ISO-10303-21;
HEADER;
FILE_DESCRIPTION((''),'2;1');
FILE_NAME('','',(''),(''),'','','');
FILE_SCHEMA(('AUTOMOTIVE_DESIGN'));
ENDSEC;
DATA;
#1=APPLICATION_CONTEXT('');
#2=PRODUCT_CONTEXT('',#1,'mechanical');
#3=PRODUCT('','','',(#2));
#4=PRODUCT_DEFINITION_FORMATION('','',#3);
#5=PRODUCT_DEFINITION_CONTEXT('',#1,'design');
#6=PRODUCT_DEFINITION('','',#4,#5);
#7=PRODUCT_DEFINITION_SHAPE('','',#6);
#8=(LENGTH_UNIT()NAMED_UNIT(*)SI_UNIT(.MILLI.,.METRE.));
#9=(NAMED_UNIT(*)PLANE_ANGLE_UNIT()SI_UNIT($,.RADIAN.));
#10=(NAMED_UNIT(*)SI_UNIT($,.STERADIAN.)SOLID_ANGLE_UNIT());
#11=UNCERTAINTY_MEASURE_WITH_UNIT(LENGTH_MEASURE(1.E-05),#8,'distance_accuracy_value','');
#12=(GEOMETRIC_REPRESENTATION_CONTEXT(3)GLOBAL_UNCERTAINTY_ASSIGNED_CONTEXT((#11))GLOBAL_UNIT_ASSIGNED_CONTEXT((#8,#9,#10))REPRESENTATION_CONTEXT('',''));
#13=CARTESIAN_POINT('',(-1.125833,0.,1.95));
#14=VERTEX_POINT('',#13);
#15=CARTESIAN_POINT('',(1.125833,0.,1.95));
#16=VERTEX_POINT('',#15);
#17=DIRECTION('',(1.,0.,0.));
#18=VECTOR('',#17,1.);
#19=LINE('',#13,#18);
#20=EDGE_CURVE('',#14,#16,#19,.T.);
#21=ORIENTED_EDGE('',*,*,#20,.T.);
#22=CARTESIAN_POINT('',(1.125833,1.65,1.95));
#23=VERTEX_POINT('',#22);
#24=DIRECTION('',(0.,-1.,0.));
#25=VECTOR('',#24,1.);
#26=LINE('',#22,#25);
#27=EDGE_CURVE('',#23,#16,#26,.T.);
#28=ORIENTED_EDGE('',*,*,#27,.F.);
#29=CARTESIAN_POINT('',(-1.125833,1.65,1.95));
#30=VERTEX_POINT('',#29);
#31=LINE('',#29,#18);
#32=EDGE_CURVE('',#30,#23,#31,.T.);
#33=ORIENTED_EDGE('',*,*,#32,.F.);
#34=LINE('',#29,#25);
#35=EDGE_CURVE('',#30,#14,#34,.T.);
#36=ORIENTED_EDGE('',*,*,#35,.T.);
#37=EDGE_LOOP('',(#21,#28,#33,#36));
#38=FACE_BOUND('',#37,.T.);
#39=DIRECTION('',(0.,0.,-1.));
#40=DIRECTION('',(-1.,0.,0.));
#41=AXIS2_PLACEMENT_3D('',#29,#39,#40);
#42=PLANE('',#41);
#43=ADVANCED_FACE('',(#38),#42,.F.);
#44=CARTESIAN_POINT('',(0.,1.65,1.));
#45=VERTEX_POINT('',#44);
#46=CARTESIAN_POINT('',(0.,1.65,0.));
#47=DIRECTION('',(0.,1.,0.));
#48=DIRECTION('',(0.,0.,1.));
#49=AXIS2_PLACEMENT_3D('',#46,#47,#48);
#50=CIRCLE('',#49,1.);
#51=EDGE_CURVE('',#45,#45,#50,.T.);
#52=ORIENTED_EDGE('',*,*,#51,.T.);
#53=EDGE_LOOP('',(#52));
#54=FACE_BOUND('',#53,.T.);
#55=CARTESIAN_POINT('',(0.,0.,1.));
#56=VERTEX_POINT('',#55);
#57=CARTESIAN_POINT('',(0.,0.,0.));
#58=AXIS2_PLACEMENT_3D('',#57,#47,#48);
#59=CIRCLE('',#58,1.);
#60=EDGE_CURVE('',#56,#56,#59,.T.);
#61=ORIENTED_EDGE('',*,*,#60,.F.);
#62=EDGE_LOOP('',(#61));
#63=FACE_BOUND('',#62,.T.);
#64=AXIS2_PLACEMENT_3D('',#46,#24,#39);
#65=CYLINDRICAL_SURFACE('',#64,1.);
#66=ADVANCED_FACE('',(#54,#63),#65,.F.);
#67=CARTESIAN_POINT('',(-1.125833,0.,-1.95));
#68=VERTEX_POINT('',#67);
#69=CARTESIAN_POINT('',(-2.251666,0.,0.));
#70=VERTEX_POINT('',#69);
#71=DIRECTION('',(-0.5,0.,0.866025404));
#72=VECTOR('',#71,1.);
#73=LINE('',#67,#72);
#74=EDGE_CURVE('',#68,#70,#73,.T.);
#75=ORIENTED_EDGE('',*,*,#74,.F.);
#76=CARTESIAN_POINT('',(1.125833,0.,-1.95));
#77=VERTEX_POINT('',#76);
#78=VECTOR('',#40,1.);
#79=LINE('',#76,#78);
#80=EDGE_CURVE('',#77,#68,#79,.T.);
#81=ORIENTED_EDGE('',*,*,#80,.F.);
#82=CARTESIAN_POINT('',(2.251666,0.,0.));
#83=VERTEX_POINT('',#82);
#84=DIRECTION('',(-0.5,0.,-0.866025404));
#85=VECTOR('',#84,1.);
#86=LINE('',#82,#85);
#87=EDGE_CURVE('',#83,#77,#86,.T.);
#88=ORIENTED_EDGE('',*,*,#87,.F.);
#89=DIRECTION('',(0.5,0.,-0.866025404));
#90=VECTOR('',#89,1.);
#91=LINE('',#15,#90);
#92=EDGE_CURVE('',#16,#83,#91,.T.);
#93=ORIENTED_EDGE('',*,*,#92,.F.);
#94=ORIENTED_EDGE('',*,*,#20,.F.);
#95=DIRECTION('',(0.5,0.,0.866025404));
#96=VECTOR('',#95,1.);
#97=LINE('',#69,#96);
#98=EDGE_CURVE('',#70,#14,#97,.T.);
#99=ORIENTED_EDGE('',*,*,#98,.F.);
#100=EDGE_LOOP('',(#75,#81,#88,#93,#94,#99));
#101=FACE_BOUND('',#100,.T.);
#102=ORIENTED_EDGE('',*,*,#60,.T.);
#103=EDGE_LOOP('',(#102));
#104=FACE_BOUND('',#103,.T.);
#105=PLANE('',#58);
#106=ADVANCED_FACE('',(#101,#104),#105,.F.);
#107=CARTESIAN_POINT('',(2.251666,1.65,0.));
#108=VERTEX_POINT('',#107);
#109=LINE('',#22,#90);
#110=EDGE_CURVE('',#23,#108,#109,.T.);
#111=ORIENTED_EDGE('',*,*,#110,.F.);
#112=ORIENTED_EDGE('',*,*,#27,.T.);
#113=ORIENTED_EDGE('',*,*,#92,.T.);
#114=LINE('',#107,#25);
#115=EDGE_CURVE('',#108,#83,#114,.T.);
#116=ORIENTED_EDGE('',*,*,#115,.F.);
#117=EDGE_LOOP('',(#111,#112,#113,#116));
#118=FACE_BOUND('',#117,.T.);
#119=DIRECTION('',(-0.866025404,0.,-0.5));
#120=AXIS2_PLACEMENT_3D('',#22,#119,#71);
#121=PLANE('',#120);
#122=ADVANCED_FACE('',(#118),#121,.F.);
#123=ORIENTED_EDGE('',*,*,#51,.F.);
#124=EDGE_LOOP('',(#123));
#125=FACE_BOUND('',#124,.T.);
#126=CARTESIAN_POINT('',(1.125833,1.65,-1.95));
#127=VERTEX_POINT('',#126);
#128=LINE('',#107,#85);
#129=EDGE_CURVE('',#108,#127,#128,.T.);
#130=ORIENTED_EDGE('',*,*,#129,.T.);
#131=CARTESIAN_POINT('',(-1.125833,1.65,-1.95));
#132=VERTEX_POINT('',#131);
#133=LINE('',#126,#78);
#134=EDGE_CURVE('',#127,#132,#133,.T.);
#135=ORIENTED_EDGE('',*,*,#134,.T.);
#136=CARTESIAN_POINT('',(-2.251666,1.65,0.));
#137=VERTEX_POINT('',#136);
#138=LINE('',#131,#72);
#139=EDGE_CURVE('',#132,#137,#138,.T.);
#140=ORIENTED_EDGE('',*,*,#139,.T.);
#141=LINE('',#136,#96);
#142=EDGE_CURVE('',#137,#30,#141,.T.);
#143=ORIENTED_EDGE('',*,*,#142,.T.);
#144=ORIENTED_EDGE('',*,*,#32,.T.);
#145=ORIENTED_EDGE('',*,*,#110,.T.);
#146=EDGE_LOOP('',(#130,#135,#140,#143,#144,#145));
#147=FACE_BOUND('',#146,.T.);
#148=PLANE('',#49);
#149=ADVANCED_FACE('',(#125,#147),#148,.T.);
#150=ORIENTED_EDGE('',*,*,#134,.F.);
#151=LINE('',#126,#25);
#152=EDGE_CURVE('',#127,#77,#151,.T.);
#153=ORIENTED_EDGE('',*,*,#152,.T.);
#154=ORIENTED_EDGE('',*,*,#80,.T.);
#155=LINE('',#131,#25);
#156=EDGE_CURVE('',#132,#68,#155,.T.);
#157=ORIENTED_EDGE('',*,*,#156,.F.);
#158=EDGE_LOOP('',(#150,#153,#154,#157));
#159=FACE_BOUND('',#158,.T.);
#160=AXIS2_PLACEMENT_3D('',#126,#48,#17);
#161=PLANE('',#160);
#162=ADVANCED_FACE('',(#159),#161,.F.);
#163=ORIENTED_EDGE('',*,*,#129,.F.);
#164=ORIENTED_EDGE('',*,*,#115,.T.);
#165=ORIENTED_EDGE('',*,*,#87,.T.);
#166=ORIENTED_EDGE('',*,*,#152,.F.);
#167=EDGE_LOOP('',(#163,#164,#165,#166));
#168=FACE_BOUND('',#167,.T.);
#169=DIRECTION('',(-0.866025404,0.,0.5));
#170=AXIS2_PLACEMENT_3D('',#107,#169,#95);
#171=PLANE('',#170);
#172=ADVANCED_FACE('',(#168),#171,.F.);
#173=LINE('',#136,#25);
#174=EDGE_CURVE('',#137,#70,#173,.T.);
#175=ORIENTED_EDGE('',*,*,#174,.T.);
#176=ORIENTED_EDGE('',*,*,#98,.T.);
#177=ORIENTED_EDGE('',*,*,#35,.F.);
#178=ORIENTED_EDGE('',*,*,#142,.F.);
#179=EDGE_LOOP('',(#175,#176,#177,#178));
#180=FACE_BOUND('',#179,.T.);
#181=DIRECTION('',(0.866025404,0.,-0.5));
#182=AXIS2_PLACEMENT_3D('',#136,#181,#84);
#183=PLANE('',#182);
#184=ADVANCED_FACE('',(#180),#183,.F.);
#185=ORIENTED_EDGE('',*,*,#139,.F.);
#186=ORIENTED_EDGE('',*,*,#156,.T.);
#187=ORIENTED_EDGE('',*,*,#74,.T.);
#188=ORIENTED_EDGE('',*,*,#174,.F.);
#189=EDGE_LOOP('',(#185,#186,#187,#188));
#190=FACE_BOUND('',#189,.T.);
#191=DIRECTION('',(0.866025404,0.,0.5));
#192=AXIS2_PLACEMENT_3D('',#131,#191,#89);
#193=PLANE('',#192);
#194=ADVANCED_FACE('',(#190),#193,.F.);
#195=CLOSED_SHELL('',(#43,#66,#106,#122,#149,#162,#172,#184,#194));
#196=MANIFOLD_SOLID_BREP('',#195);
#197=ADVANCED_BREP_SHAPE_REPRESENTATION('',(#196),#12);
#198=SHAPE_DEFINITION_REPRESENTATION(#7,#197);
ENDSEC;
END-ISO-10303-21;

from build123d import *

# Parameters (mm, degrees)
SKETCH1_R           = 1
BOSS_EXTRUDE1_DEPTH = 1.65


with BuildPart() as part:
    # Sketch1 → Boss-Extrude1 (new body)
    with BuildSketch(Plane(origin=(0, 0, 0), x_dir=(1, 0, 0), z_dir=(0, 1, 0))):
        Polygon((2.25166605, 0), (1.125833025, 1.95), (-1.125833025, 1.95), (-2.25166605, 0), (-1.125833025, -1.95), (1.125833025, -1.95), align=None)
        Circle(SKETCH1_R, mode=Mode.SUBTRACT)
    extrude(amount=BOSS_EXTRUDE1_DEPTH)


solid = part.part
